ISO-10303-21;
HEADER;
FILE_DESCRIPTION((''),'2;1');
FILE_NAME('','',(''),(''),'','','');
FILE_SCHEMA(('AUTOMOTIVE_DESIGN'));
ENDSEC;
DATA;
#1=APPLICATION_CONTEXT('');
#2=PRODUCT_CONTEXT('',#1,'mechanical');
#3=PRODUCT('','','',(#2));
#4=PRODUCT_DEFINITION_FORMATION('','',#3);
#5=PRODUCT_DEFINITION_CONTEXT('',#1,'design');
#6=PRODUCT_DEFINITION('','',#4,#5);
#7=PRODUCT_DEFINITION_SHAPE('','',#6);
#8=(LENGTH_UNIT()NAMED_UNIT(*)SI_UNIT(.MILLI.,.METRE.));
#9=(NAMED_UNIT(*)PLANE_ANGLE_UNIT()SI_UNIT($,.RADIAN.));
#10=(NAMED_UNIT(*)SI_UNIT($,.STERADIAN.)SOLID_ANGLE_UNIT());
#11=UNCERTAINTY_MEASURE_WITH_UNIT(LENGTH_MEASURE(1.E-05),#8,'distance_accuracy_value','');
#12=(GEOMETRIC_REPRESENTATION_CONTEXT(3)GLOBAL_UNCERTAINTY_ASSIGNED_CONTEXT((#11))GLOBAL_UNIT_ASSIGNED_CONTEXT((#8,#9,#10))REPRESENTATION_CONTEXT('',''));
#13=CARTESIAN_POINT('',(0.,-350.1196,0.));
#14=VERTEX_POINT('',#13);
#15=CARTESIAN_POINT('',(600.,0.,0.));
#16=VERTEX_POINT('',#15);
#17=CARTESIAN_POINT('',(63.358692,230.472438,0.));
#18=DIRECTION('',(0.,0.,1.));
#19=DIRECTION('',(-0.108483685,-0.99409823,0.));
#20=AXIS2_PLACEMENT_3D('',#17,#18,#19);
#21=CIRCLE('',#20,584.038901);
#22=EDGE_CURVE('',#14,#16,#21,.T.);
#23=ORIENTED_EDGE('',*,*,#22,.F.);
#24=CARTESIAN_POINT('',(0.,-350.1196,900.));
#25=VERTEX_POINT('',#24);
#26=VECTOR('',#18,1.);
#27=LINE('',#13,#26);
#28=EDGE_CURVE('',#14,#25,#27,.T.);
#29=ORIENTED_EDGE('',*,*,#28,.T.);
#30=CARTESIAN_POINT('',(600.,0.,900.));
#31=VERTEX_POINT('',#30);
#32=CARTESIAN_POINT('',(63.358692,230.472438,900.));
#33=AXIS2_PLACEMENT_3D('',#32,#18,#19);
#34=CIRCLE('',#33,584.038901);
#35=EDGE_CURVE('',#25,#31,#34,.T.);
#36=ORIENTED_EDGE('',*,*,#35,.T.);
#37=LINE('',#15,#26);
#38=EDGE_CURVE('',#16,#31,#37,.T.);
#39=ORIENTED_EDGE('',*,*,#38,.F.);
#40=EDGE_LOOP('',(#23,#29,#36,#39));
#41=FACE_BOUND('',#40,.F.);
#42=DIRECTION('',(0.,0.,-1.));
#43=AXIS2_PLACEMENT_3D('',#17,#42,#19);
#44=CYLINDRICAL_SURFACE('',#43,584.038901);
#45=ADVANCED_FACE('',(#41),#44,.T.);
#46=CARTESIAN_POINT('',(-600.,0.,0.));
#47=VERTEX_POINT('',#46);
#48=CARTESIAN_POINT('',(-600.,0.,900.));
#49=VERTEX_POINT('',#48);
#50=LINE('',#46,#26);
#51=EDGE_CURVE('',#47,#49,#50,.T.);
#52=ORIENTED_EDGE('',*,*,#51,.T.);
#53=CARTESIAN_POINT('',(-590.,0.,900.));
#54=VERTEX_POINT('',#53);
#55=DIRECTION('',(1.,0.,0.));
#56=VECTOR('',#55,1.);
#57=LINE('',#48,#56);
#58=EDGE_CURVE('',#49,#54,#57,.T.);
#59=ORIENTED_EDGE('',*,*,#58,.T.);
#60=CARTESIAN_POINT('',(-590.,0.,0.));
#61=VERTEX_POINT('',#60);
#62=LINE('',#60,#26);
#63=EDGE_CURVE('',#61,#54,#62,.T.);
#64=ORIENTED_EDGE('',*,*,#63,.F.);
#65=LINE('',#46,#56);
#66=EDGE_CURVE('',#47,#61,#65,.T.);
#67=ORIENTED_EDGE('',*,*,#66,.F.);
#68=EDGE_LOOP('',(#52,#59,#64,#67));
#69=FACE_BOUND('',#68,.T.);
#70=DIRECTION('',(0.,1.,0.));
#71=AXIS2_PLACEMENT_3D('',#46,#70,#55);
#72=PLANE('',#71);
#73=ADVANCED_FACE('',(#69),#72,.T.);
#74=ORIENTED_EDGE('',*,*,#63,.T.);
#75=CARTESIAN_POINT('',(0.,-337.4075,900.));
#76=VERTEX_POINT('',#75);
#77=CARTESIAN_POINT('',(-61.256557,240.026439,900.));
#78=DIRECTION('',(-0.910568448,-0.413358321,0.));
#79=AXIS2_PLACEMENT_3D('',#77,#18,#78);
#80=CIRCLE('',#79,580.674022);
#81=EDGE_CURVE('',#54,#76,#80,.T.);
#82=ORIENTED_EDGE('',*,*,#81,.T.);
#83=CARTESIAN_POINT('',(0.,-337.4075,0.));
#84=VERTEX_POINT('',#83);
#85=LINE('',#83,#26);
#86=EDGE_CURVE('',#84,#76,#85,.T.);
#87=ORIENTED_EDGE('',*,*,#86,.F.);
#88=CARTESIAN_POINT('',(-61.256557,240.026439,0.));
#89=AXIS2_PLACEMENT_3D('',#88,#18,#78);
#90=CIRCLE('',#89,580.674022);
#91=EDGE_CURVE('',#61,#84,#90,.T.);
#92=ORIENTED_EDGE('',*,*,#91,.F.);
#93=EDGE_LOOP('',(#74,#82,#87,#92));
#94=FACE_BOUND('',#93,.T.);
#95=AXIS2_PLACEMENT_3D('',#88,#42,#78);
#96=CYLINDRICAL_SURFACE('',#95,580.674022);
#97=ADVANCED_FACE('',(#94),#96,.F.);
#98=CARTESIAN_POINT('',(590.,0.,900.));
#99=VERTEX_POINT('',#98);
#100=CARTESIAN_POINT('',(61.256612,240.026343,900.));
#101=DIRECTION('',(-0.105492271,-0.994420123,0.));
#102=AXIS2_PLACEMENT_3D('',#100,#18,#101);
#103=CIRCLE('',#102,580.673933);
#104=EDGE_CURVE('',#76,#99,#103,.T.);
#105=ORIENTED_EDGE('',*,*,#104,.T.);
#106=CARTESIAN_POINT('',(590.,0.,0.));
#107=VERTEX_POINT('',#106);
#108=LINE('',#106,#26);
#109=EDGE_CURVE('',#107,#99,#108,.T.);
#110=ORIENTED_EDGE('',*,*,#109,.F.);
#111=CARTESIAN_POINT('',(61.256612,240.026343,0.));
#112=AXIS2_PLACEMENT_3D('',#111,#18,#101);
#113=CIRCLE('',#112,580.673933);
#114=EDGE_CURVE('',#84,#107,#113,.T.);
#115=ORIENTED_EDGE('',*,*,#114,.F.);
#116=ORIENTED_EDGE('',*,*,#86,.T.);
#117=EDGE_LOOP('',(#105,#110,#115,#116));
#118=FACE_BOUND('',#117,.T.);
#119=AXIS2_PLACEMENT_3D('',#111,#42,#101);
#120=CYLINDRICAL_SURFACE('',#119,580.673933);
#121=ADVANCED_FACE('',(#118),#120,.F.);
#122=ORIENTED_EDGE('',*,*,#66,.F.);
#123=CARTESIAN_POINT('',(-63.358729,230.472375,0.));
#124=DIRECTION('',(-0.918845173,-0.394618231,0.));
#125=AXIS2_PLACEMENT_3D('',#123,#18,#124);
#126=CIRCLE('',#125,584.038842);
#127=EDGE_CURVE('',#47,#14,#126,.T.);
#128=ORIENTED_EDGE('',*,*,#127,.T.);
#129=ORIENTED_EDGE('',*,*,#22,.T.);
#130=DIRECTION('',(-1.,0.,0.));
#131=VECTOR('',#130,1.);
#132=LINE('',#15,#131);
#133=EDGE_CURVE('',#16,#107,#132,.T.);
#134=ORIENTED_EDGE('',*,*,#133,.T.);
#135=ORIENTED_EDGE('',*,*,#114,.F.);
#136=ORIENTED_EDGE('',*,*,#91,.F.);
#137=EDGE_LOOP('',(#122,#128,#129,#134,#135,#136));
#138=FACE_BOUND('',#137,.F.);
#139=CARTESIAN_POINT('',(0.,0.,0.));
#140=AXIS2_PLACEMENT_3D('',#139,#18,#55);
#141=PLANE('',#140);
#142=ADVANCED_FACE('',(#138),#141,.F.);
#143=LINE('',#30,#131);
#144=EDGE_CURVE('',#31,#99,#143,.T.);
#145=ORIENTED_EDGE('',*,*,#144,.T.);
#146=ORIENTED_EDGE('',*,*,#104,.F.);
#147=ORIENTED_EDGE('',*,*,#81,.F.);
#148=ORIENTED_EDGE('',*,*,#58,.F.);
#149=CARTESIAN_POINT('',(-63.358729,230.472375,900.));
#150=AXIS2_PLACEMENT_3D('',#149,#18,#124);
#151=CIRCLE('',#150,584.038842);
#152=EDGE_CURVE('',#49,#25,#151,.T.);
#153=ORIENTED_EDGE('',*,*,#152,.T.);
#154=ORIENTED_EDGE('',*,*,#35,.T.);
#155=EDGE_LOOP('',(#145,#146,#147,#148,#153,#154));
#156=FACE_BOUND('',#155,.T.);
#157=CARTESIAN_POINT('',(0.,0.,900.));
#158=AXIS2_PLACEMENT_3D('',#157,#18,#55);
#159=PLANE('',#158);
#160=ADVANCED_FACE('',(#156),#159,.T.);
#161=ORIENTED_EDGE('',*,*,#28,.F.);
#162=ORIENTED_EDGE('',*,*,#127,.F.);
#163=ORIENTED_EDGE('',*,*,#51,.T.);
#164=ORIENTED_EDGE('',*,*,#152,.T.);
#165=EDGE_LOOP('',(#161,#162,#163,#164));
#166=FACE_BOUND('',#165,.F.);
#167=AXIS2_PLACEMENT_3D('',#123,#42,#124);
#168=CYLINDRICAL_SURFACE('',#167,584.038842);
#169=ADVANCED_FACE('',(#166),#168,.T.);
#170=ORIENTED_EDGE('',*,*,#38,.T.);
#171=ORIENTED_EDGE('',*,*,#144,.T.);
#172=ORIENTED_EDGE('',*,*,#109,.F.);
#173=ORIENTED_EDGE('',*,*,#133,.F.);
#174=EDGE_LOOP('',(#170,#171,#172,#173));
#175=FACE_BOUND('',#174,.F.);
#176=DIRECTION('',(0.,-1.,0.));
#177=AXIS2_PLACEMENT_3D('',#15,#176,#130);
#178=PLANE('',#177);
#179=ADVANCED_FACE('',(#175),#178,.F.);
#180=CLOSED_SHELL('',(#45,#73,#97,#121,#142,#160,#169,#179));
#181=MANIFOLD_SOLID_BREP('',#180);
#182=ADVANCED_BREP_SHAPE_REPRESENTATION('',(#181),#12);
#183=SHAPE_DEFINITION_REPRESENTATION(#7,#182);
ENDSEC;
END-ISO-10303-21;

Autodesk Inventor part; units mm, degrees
ref_plane "YZ Plane" through (0, 0, 0) normal (1, 0, 0) x (0, 1, 0)
ref_plane "XZ Plane" through (0, 0, 0) normal (0, 1, 0) x (-1, 0, 0)
ref_plane "XY Plane" through (0, 0, 0) normal (0, 0, 1) x (1, 0, 0)
sketch "Sketch1" plane through (0, 0, 0) normal (0, 0, 1) x (1, 0, 0)
  arc A0 (-600, 0) -> (0, -350.1196) centre (-63.3587, 230.4724) ccw
  arc A1 (-590, 0) -> (0, -337.4075) centre (-61.2566, 240.0264) ccw
  line L0 (0, -81.4327) -> (0, -44.5011)
  line L1 (-600, 0) -> (-590, 0)
  arc A2 (0, -350.1196) -> (600, 0) centre (63.3587, 230.4724) ccw
  arc A3 (0, -337.4075) -> (590, 0) centre (61.2566, 240.0264) ccw
  line L2 (600, 0) -> (590, 0)
  point P0 (0, 0)
extrude "Extrusion1" add sketch "Sketch1" along normal blind 900
properties part number "Base"
